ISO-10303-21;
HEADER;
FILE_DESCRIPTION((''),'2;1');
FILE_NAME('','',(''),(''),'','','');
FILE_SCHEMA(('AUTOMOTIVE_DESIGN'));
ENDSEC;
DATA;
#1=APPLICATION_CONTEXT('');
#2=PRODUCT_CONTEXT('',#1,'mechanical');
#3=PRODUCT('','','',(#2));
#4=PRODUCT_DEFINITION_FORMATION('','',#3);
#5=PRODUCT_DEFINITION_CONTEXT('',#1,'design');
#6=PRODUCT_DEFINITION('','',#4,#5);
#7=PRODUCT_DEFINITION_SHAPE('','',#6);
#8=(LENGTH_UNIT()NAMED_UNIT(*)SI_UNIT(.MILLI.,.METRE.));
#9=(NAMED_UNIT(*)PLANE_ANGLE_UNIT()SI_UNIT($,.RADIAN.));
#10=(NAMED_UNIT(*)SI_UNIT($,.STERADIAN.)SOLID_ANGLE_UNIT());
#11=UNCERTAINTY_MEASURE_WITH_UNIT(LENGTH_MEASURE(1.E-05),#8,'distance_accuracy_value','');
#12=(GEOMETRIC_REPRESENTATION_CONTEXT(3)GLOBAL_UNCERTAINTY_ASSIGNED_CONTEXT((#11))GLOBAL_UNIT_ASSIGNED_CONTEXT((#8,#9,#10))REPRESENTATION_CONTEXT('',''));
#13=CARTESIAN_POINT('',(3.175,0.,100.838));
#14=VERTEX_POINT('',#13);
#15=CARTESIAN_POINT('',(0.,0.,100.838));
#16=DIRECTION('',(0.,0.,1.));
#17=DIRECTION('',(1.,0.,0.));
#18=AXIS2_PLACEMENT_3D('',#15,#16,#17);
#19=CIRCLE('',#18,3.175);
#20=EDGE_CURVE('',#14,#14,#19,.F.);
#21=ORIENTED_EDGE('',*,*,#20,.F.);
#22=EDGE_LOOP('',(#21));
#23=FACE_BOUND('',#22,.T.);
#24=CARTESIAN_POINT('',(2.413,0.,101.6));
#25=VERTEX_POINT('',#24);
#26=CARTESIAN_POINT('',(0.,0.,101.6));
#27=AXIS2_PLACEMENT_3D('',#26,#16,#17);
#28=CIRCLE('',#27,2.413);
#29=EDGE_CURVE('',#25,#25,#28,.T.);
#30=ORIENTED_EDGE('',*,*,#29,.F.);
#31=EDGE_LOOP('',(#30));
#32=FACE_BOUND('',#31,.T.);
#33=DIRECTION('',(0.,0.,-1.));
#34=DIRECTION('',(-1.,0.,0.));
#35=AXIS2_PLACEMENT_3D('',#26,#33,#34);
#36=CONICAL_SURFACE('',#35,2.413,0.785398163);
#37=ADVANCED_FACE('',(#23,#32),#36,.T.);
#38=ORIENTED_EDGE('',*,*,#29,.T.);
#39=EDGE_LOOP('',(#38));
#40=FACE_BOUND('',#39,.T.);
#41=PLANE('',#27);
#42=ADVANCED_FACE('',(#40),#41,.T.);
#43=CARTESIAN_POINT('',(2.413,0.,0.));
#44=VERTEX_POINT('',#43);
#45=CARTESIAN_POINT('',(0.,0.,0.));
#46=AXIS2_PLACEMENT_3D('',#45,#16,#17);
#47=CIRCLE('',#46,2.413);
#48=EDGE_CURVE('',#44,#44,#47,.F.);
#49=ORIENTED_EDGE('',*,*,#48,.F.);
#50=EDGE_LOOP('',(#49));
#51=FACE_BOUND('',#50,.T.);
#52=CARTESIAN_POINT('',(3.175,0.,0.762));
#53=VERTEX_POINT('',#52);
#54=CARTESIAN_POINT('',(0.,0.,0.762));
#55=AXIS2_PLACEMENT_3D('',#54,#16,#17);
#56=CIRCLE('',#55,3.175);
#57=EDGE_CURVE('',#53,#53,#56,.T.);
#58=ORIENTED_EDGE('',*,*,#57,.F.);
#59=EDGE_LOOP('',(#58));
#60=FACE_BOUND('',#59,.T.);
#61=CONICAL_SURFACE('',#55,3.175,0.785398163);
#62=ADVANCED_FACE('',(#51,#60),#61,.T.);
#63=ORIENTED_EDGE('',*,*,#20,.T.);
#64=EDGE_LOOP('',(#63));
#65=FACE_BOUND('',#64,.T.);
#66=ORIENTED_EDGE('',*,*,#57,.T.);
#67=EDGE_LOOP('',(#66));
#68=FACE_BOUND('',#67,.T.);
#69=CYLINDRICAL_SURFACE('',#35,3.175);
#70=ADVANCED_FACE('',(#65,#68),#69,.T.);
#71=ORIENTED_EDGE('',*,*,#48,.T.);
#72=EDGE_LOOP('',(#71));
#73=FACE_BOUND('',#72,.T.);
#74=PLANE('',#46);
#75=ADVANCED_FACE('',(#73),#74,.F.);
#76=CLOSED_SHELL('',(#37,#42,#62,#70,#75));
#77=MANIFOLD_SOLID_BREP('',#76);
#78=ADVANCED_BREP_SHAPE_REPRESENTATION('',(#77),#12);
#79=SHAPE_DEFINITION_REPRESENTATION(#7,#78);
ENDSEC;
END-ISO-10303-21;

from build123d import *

# Parameters (mm, degrees)
SKETCH1_R           = 3.175
BOSS_EXTRUDE1_DEPTH = 101.6
CHAMFER1_SIZE       = 0.762


with BuildPart() as part:
    # Sketch1 → Boss-Extrude1 (new body)
    with BuildSketch(Plane.XY):
        Circle(SKETCH1_R)
    extrude(amount=BOSS_EXTRUDE1_DEPTH)

    # Chamfer1
    chamfer1_edges = [part.edges().sort_by_distance(p)[0] for p in [
        (-3.175, 0, 0),
        (-3.175, 0, 101.6),
    ]]
    chamfer(chamfer1_edges, length=CHAMFER1_SIZE)


solid = part.part
